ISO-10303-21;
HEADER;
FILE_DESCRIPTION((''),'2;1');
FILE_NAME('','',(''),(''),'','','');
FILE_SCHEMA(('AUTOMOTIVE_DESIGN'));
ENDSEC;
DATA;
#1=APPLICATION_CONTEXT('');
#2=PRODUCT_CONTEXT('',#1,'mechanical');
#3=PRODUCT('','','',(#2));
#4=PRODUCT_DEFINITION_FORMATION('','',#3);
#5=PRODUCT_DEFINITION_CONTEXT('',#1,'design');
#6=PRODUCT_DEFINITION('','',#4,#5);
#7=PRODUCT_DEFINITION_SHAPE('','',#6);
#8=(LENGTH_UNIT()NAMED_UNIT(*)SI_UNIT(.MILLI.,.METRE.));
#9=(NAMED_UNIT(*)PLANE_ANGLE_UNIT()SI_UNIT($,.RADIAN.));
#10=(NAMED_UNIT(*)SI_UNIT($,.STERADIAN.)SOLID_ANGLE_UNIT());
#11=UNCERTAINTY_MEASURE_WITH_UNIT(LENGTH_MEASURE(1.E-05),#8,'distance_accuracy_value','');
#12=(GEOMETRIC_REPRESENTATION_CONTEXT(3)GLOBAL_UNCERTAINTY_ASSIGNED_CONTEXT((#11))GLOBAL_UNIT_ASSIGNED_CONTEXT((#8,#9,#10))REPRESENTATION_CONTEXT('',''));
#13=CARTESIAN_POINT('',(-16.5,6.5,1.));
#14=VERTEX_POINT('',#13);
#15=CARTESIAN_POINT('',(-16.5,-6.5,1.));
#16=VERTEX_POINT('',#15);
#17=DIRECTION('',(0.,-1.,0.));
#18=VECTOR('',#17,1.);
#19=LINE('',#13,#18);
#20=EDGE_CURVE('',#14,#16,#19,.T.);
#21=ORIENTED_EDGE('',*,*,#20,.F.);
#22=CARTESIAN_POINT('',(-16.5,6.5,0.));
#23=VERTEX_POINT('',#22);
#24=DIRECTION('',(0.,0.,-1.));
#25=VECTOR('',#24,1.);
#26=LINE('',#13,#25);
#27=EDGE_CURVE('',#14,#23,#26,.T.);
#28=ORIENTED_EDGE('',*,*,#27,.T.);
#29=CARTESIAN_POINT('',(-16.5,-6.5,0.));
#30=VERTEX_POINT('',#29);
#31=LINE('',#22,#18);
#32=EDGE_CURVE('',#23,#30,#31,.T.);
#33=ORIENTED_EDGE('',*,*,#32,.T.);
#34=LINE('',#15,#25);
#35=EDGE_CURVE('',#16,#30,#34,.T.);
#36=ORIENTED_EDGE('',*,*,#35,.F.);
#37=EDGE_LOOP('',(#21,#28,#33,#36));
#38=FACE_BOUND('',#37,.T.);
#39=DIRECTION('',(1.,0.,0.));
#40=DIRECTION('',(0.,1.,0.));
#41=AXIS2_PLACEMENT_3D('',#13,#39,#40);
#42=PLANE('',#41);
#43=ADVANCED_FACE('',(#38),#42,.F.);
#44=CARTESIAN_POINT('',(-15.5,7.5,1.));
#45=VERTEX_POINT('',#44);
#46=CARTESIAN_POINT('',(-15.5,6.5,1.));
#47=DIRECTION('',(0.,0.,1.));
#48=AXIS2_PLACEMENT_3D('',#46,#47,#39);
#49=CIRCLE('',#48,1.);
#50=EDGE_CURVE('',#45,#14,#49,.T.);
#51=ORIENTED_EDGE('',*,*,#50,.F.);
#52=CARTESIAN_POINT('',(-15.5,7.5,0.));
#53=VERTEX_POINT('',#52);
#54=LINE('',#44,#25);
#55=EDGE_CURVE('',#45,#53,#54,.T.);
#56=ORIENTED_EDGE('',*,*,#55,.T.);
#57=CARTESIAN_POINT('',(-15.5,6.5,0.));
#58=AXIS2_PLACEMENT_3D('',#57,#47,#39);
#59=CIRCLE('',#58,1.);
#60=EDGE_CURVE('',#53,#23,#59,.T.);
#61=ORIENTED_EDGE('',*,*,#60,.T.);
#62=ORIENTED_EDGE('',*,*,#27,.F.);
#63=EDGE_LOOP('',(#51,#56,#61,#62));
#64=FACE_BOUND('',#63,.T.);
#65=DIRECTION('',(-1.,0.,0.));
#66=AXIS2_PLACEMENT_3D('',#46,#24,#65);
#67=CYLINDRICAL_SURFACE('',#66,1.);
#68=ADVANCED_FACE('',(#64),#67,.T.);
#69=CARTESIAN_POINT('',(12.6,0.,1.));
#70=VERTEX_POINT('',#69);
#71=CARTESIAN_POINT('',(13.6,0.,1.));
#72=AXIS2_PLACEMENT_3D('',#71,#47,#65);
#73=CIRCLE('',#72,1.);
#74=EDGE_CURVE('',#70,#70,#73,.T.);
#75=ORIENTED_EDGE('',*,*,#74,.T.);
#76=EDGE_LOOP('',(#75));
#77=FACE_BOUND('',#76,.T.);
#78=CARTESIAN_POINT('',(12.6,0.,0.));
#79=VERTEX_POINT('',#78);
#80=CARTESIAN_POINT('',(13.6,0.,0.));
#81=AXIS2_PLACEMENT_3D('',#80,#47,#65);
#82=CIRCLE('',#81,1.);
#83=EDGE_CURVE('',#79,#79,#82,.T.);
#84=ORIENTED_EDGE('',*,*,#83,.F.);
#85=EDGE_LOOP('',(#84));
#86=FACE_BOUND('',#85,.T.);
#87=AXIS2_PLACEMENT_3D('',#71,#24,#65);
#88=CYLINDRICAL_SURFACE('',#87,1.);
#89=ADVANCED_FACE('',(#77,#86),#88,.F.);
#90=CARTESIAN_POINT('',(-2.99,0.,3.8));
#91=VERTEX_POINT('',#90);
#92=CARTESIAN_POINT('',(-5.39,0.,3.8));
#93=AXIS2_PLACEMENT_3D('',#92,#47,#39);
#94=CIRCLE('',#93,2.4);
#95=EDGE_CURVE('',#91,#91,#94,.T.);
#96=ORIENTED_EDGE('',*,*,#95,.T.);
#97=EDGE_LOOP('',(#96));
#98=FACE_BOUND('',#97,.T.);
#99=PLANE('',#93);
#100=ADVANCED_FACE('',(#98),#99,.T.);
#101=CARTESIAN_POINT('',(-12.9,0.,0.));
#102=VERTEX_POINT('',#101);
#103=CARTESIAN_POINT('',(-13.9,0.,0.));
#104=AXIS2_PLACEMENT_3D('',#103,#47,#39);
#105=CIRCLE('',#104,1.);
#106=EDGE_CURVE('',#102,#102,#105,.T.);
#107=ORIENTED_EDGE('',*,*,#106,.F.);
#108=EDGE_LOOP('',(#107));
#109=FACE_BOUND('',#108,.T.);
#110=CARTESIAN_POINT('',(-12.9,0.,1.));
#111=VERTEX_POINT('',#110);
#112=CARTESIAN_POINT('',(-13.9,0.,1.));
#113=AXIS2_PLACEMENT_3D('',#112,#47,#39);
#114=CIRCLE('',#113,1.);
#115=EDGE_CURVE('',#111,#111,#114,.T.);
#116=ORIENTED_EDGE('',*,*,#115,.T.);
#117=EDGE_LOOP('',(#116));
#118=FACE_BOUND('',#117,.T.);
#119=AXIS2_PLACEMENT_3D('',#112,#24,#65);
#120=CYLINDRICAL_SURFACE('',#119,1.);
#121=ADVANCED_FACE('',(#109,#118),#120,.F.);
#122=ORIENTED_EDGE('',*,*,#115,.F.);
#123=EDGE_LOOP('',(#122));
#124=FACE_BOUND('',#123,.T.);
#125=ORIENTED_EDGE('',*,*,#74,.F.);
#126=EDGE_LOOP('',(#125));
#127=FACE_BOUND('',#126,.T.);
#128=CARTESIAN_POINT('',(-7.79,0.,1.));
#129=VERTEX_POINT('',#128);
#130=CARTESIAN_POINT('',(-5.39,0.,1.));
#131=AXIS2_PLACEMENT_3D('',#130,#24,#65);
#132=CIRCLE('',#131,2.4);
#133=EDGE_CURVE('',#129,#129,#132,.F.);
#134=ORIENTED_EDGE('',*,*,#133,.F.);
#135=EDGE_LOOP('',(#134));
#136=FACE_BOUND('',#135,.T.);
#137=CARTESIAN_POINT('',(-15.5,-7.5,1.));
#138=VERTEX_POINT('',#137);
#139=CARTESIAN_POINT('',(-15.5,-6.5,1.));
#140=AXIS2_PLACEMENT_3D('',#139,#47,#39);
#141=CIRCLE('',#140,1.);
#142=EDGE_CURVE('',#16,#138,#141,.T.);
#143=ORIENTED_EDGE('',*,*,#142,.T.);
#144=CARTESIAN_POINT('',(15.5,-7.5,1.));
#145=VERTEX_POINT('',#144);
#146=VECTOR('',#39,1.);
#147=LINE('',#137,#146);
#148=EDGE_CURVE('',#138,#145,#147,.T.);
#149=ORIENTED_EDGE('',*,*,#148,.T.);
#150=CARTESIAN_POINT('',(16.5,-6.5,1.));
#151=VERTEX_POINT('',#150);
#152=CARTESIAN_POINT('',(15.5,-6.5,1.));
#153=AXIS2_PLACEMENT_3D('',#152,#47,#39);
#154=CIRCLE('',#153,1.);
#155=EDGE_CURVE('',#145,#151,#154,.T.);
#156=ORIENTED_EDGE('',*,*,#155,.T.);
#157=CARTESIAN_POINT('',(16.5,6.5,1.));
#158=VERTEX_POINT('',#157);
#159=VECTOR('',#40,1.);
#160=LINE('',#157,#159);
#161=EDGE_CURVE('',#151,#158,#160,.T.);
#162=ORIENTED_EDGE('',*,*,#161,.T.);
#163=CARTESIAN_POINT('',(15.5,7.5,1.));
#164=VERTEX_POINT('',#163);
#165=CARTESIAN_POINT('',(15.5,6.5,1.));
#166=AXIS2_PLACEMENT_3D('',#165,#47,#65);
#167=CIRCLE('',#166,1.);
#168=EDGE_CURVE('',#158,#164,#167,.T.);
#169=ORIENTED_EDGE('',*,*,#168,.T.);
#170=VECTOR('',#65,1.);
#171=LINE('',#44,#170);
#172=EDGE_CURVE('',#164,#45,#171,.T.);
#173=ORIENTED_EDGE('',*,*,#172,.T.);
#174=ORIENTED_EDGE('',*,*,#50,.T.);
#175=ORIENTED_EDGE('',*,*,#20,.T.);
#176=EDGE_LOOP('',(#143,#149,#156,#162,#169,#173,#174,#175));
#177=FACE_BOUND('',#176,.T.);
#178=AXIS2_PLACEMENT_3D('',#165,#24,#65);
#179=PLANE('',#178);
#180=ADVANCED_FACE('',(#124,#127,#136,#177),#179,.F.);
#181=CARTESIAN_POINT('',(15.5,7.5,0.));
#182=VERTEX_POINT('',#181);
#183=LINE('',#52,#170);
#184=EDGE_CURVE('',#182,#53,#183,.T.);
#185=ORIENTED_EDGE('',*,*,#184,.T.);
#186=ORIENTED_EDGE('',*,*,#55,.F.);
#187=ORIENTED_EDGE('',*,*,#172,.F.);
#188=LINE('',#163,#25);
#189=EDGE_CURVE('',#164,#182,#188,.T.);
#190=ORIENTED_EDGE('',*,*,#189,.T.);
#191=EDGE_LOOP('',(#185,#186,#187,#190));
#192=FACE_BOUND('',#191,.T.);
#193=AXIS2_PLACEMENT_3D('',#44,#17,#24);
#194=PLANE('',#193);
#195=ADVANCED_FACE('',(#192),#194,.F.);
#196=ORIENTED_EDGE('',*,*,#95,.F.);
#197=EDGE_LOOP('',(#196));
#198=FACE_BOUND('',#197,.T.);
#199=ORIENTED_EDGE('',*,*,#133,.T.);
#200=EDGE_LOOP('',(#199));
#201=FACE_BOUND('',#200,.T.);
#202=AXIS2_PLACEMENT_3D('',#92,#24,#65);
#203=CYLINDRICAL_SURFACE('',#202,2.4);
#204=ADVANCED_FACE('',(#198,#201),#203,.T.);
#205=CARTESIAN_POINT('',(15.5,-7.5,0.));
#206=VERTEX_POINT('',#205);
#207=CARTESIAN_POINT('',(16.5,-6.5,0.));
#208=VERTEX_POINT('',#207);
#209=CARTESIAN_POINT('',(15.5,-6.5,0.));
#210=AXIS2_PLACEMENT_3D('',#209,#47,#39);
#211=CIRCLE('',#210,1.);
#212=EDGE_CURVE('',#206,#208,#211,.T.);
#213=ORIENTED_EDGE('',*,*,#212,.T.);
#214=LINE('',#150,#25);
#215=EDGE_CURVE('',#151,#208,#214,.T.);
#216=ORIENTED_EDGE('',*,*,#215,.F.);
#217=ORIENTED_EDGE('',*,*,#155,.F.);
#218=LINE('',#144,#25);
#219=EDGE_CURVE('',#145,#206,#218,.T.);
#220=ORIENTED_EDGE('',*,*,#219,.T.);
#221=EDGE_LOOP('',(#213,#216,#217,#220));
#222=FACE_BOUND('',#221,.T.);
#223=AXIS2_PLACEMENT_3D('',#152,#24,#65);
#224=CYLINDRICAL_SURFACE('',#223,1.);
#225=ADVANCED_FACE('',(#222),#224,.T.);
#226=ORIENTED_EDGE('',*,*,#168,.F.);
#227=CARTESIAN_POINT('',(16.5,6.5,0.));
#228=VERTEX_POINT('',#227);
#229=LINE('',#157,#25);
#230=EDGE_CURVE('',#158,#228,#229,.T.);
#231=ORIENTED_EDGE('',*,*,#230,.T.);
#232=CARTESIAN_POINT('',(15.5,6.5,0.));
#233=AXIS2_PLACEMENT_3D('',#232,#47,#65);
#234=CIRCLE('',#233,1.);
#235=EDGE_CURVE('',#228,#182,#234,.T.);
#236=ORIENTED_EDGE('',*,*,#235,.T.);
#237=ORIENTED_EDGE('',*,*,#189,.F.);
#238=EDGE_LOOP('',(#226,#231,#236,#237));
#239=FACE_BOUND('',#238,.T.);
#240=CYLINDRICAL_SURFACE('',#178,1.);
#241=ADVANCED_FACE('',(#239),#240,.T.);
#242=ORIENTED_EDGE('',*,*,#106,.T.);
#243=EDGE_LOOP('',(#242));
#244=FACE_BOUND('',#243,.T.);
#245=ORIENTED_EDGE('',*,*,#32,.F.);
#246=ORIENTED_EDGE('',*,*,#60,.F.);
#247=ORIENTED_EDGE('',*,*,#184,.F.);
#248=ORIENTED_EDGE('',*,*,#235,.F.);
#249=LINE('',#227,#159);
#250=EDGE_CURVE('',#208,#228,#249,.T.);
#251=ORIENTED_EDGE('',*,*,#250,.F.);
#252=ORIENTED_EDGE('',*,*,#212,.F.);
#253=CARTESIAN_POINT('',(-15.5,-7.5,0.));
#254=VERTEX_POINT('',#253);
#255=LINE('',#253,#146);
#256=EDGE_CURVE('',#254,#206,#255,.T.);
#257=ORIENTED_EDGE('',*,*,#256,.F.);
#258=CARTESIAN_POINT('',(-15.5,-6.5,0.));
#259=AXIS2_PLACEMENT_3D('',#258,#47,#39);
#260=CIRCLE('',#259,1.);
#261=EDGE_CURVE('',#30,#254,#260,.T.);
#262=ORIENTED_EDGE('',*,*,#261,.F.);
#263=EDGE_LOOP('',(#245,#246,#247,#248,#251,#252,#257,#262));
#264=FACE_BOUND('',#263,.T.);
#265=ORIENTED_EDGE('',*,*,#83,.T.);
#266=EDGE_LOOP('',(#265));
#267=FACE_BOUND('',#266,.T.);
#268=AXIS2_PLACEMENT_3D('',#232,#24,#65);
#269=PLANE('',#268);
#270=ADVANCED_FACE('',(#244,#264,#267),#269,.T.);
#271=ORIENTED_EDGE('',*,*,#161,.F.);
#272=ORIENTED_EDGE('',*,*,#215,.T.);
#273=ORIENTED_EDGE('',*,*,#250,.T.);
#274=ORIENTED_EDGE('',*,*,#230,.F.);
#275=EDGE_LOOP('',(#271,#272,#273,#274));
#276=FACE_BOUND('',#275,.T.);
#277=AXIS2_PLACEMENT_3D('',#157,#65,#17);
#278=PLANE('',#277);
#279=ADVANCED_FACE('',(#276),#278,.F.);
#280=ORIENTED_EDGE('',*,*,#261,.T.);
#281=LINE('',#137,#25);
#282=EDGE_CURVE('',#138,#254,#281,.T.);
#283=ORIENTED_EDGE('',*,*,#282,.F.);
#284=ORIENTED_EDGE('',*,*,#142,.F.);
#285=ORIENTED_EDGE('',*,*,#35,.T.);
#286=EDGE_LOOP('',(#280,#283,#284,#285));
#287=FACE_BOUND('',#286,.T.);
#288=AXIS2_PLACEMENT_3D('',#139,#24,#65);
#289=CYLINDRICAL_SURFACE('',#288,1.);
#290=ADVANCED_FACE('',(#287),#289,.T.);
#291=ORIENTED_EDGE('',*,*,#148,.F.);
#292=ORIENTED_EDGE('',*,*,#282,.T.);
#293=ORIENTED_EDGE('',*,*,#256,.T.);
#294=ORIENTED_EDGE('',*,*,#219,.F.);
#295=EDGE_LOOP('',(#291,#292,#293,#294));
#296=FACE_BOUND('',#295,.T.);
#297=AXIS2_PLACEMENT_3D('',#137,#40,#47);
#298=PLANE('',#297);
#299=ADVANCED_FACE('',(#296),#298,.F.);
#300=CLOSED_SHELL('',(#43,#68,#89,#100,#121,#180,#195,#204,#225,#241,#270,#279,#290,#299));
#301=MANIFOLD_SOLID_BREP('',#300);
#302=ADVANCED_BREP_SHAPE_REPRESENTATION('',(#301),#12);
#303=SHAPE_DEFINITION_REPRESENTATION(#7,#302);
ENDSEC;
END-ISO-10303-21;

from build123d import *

# Parameters (mm, degrees)
SKETCH1_R           = 1
BOSS_EXTRUDE1_DEPTH = 1
SKETCH2_R           = 2.4
BOSS_EXTRUDE2_DEPTH = 2.8


with BuildPart() as part:
    # Sketch1 → Boss-Extrude1 (new body)
    with BuildSketch(Plane.XY):
        with BuildLine():
            Line((-15.5, 7.5), (15.5, 7.5))
            ThreePointArc((15.5, 7.5), (16.207106781, 7.207106781), (16.5, 6.5))
            Line((16.5, 6.5), (16.5, -6.5))
            ThreePointArc((16.5, -6.5), (16.207106781, -7.207106781), (15.5, -7.5))
            Line((15.5, -7.5), (-15.5, -7.5))
            ThreePointArc((-15.5, -7.5), (-16.207106781, -7.207106781), (-16.5, -6.5))
            Line((-16.5, -6.5), (-16.5, 6.5))
            ThreePointArc((-16.5, 6.5), (-16.207106781, 7.207106781), (-15.5, 7.5))
        make_face()
        with Locations((-13.9, 0)):
            Circle(SKETCH1_R, mode=Mode.SUBTRACT)
        with Locations((13.6, 0)):
            Circle(SKETCH1_R, mode=Mode.SUBTRACT)
    extrude(amount=BOSS_EXTRUDE1_DEPTH)

    # Sketch2 → Boss-Extrude2 (add)
    with BuildSketch(Plane.XY.offset(1)):
        with Locations((-5.39, 0)):
            Circle(SKETCH2_R)
    extrude(amount=BOSS_EXTRUDE2_DEPTH)


solid = part.part
